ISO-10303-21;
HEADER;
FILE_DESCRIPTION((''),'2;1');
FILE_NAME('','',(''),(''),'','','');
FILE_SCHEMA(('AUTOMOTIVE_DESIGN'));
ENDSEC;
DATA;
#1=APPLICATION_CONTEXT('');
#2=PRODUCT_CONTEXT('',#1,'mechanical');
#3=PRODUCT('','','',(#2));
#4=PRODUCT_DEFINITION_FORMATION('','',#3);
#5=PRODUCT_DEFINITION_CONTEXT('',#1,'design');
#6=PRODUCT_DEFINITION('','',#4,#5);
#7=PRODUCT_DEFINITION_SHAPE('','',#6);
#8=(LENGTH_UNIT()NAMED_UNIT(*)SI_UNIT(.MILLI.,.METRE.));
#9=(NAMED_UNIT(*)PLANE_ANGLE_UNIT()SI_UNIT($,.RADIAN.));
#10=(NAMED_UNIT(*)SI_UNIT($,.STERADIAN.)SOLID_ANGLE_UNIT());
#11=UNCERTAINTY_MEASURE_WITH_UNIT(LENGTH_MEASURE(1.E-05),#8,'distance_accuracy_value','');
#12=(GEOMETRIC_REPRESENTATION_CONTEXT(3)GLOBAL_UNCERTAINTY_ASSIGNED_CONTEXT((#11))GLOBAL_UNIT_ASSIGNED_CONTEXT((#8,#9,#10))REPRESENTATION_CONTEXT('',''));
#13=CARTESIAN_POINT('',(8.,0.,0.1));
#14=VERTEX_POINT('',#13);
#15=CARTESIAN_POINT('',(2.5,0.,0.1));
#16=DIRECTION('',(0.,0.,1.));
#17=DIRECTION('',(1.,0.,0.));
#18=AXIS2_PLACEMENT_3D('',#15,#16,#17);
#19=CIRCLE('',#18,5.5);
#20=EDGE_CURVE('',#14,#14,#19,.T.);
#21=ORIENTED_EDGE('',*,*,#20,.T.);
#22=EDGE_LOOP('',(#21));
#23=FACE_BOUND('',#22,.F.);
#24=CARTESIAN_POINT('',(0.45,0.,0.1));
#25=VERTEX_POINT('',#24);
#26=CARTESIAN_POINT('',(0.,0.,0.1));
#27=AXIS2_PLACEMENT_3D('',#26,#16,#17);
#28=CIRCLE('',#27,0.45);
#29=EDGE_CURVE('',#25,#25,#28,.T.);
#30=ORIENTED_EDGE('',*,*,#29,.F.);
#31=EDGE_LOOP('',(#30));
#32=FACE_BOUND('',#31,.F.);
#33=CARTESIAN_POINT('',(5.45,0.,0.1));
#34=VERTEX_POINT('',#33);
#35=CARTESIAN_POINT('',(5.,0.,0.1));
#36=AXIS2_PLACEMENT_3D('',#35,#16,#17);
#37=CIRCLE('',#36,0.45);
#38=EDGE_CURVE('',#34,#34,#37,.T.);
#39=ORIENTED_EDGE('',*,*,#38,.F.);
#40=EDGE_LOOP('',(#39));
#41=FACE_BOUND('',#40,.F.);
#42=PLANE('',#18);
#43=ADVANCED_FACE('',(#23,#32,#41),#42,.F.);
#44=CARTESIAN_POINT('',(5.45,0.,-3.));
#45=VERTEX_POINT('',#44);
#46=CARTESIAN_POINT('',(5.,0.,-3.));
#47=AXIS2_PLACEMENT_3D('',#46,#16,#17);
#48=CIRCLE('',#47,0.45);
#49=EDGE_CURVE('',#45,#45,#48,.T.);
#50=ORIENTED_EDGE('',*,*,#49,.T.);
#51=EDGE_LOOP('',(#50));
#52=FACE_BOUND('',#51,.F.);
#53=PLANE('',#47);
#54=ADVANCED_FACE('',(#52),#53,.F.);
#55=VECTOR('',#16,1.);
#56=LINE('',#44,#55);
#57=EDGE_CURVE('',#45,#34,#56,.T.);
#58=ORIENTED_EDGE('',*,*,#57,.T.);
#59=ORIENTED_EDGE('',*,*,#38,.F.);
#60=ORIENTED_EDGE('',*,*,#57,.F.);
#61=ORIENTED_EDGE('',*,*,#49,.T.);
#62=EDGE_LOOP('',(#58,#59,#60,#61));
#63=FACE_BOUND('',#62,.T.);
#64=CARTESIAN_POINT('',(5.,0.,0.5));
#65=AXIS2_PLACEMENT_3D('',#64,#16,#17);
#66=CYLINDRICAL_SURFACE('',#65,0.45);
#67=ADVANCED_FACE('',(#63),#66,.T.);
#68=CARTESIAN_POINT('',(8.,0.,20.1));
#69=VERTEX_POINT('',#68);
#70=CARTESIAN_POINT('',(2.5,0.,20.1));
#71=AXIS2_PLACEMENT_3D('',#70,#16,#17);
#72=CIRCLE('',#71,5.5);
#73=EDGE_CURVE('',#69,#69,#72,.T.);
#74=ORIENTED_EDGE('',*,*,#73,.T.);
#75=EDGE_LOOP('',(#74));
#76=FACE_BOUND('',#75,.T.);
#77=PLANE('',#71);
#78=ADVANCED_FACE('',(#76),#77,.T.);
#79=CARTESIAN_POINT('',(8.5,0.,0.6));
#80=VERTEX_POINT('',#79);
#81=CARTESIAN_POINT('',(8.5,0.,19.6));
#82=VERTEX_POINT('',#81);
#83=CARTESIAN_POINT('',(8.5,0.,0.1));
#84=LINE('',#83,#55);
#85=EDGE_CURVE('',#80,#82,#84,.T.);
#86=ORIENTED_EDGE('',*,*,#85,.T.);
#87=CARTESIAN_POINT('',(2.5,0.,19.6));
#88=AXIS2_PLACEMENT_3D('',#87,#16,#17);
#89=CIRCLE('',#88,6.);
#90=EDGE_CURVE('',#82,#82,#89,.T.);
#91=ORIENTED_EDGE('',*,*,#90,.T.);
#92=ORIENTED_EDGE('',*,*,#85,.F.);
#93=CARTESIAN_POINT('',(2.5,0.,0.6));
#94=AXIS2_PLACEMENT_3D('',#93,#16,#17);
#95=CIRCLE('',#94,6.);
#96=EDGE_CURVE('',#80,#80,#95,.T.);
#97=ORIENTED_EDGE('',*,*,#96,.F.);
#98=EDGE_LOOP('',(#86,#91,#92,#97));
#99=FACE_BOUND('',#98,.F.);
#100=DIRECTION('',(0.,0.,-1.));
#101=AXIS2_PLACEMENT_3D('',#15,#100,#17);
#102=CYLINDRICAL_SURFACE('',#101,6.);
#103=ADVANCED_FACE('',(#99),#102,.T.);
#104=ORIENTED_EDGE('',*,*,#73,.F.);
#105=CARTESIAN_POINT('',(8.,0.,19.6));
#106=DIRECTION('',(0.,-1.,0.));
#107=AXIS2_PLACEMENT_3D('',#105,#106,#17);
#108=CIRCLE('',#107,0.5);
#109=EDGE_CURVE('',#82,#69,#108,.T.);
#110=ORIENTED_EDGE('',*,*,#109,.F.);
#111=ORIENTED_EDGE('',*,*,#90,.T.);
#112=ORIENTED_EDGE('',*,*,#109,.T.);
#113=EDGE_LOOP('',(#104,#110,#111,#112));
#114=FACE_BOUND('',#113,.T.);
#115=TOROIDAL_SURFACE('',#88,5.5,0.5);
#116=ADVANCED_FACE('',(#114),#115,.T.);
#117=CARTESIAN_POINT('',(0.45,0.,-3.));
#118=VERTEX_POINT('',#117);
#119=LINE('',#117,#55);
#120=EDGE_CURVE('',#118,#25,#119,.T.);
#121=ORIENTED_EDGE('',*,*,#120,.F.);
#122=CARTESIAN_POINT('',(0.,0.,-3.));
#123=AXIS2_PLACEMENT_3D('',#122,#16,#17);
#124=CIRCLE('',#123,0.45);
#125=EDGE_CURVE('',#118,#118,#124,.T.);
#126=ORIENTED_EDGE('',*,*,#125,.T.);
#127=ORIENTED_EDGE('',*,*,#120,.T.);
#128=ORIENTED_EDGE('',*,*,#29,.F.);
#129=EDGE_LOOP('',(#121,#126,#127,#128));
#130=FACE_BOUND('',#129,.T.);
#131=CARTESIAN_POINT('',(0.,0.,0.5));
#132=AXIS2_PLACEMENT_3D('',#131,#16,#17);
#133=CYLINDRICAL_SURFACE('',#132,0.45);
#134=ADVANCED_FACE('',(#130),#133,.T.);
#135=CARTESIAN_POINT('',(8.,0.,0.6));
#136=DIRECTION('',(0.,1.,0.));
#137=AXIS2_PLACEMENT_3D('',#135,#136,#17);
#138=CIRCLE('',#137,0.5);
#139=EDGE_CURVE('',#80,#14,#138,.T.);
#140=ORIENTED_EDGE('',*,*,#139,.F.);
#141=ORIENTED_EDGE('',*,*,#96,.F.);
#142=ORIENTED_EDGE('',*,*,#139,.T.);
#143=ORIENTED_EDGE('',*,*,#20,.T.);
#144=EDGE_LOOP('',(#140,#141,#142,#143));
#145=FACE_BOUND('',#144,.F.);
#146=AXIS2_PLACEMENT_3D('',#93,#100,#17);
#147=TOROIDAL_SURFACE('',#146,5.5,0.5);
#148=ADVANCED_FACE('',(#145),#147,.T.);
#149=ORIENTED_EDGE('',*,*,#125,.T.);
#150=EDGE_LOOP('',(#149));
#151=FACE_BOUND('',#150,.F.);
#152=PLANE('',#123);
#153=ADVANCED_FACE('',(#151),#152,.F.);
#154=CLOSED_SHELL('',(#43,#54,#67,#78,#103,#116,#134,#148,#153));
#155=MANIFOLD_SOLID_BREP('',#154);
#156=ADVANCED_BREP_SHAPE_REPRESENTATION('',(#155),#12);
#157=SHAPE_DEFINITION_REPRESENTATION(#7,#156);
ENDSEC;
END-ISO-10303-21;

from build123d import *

# Parameters (mm, degrees)
SKETCH001_R       = 0.45
PAD001_DEPTH      = 10
PAD001_DEPTH_BACK = 3.5
SKETCH_R          = 6
PAD_DEPTH         = 20
FILLET_R          = 0.5


with BuildPart() as pad001:
    # Sketch001 → Pad001 (new body, two sides)
    with BuildSketch(Plane.XY.offset(0.5)) as pad001_sk:
        Circle(SKETCH001_R)
        with Locations((5, 0)):
            Circle(SKETCH001_R)
    extrude(amount=PAD001_DEPTH)
    extrude(pad001_sk.sketch, amount=-PAD001_DEPTH_BACK)


with BuildPart() as fillet_mp_cp:
    # Sketch → Pad (new body)
    with BuildSketch(Plane.XY.offset(0.1)):
        with Locations((2.5, 0)):
            Circle(SKETCH_R)
    extrude(amount=PAD_DEPTH)

    # Fillet
    fillet_edges = [fillet_mp_cp.edges().sort_by_distance(p)[0] for p in [
        (-3.5, 0, 0.1),
        (-3.5, 0, 20.1),
    ]]
    fillet(fillet_edges, radius=FILLET_R)

    # Fillet_mp_cp: union Pad001
    add(pad001.part)


solid = fillet_mp_cp.part
